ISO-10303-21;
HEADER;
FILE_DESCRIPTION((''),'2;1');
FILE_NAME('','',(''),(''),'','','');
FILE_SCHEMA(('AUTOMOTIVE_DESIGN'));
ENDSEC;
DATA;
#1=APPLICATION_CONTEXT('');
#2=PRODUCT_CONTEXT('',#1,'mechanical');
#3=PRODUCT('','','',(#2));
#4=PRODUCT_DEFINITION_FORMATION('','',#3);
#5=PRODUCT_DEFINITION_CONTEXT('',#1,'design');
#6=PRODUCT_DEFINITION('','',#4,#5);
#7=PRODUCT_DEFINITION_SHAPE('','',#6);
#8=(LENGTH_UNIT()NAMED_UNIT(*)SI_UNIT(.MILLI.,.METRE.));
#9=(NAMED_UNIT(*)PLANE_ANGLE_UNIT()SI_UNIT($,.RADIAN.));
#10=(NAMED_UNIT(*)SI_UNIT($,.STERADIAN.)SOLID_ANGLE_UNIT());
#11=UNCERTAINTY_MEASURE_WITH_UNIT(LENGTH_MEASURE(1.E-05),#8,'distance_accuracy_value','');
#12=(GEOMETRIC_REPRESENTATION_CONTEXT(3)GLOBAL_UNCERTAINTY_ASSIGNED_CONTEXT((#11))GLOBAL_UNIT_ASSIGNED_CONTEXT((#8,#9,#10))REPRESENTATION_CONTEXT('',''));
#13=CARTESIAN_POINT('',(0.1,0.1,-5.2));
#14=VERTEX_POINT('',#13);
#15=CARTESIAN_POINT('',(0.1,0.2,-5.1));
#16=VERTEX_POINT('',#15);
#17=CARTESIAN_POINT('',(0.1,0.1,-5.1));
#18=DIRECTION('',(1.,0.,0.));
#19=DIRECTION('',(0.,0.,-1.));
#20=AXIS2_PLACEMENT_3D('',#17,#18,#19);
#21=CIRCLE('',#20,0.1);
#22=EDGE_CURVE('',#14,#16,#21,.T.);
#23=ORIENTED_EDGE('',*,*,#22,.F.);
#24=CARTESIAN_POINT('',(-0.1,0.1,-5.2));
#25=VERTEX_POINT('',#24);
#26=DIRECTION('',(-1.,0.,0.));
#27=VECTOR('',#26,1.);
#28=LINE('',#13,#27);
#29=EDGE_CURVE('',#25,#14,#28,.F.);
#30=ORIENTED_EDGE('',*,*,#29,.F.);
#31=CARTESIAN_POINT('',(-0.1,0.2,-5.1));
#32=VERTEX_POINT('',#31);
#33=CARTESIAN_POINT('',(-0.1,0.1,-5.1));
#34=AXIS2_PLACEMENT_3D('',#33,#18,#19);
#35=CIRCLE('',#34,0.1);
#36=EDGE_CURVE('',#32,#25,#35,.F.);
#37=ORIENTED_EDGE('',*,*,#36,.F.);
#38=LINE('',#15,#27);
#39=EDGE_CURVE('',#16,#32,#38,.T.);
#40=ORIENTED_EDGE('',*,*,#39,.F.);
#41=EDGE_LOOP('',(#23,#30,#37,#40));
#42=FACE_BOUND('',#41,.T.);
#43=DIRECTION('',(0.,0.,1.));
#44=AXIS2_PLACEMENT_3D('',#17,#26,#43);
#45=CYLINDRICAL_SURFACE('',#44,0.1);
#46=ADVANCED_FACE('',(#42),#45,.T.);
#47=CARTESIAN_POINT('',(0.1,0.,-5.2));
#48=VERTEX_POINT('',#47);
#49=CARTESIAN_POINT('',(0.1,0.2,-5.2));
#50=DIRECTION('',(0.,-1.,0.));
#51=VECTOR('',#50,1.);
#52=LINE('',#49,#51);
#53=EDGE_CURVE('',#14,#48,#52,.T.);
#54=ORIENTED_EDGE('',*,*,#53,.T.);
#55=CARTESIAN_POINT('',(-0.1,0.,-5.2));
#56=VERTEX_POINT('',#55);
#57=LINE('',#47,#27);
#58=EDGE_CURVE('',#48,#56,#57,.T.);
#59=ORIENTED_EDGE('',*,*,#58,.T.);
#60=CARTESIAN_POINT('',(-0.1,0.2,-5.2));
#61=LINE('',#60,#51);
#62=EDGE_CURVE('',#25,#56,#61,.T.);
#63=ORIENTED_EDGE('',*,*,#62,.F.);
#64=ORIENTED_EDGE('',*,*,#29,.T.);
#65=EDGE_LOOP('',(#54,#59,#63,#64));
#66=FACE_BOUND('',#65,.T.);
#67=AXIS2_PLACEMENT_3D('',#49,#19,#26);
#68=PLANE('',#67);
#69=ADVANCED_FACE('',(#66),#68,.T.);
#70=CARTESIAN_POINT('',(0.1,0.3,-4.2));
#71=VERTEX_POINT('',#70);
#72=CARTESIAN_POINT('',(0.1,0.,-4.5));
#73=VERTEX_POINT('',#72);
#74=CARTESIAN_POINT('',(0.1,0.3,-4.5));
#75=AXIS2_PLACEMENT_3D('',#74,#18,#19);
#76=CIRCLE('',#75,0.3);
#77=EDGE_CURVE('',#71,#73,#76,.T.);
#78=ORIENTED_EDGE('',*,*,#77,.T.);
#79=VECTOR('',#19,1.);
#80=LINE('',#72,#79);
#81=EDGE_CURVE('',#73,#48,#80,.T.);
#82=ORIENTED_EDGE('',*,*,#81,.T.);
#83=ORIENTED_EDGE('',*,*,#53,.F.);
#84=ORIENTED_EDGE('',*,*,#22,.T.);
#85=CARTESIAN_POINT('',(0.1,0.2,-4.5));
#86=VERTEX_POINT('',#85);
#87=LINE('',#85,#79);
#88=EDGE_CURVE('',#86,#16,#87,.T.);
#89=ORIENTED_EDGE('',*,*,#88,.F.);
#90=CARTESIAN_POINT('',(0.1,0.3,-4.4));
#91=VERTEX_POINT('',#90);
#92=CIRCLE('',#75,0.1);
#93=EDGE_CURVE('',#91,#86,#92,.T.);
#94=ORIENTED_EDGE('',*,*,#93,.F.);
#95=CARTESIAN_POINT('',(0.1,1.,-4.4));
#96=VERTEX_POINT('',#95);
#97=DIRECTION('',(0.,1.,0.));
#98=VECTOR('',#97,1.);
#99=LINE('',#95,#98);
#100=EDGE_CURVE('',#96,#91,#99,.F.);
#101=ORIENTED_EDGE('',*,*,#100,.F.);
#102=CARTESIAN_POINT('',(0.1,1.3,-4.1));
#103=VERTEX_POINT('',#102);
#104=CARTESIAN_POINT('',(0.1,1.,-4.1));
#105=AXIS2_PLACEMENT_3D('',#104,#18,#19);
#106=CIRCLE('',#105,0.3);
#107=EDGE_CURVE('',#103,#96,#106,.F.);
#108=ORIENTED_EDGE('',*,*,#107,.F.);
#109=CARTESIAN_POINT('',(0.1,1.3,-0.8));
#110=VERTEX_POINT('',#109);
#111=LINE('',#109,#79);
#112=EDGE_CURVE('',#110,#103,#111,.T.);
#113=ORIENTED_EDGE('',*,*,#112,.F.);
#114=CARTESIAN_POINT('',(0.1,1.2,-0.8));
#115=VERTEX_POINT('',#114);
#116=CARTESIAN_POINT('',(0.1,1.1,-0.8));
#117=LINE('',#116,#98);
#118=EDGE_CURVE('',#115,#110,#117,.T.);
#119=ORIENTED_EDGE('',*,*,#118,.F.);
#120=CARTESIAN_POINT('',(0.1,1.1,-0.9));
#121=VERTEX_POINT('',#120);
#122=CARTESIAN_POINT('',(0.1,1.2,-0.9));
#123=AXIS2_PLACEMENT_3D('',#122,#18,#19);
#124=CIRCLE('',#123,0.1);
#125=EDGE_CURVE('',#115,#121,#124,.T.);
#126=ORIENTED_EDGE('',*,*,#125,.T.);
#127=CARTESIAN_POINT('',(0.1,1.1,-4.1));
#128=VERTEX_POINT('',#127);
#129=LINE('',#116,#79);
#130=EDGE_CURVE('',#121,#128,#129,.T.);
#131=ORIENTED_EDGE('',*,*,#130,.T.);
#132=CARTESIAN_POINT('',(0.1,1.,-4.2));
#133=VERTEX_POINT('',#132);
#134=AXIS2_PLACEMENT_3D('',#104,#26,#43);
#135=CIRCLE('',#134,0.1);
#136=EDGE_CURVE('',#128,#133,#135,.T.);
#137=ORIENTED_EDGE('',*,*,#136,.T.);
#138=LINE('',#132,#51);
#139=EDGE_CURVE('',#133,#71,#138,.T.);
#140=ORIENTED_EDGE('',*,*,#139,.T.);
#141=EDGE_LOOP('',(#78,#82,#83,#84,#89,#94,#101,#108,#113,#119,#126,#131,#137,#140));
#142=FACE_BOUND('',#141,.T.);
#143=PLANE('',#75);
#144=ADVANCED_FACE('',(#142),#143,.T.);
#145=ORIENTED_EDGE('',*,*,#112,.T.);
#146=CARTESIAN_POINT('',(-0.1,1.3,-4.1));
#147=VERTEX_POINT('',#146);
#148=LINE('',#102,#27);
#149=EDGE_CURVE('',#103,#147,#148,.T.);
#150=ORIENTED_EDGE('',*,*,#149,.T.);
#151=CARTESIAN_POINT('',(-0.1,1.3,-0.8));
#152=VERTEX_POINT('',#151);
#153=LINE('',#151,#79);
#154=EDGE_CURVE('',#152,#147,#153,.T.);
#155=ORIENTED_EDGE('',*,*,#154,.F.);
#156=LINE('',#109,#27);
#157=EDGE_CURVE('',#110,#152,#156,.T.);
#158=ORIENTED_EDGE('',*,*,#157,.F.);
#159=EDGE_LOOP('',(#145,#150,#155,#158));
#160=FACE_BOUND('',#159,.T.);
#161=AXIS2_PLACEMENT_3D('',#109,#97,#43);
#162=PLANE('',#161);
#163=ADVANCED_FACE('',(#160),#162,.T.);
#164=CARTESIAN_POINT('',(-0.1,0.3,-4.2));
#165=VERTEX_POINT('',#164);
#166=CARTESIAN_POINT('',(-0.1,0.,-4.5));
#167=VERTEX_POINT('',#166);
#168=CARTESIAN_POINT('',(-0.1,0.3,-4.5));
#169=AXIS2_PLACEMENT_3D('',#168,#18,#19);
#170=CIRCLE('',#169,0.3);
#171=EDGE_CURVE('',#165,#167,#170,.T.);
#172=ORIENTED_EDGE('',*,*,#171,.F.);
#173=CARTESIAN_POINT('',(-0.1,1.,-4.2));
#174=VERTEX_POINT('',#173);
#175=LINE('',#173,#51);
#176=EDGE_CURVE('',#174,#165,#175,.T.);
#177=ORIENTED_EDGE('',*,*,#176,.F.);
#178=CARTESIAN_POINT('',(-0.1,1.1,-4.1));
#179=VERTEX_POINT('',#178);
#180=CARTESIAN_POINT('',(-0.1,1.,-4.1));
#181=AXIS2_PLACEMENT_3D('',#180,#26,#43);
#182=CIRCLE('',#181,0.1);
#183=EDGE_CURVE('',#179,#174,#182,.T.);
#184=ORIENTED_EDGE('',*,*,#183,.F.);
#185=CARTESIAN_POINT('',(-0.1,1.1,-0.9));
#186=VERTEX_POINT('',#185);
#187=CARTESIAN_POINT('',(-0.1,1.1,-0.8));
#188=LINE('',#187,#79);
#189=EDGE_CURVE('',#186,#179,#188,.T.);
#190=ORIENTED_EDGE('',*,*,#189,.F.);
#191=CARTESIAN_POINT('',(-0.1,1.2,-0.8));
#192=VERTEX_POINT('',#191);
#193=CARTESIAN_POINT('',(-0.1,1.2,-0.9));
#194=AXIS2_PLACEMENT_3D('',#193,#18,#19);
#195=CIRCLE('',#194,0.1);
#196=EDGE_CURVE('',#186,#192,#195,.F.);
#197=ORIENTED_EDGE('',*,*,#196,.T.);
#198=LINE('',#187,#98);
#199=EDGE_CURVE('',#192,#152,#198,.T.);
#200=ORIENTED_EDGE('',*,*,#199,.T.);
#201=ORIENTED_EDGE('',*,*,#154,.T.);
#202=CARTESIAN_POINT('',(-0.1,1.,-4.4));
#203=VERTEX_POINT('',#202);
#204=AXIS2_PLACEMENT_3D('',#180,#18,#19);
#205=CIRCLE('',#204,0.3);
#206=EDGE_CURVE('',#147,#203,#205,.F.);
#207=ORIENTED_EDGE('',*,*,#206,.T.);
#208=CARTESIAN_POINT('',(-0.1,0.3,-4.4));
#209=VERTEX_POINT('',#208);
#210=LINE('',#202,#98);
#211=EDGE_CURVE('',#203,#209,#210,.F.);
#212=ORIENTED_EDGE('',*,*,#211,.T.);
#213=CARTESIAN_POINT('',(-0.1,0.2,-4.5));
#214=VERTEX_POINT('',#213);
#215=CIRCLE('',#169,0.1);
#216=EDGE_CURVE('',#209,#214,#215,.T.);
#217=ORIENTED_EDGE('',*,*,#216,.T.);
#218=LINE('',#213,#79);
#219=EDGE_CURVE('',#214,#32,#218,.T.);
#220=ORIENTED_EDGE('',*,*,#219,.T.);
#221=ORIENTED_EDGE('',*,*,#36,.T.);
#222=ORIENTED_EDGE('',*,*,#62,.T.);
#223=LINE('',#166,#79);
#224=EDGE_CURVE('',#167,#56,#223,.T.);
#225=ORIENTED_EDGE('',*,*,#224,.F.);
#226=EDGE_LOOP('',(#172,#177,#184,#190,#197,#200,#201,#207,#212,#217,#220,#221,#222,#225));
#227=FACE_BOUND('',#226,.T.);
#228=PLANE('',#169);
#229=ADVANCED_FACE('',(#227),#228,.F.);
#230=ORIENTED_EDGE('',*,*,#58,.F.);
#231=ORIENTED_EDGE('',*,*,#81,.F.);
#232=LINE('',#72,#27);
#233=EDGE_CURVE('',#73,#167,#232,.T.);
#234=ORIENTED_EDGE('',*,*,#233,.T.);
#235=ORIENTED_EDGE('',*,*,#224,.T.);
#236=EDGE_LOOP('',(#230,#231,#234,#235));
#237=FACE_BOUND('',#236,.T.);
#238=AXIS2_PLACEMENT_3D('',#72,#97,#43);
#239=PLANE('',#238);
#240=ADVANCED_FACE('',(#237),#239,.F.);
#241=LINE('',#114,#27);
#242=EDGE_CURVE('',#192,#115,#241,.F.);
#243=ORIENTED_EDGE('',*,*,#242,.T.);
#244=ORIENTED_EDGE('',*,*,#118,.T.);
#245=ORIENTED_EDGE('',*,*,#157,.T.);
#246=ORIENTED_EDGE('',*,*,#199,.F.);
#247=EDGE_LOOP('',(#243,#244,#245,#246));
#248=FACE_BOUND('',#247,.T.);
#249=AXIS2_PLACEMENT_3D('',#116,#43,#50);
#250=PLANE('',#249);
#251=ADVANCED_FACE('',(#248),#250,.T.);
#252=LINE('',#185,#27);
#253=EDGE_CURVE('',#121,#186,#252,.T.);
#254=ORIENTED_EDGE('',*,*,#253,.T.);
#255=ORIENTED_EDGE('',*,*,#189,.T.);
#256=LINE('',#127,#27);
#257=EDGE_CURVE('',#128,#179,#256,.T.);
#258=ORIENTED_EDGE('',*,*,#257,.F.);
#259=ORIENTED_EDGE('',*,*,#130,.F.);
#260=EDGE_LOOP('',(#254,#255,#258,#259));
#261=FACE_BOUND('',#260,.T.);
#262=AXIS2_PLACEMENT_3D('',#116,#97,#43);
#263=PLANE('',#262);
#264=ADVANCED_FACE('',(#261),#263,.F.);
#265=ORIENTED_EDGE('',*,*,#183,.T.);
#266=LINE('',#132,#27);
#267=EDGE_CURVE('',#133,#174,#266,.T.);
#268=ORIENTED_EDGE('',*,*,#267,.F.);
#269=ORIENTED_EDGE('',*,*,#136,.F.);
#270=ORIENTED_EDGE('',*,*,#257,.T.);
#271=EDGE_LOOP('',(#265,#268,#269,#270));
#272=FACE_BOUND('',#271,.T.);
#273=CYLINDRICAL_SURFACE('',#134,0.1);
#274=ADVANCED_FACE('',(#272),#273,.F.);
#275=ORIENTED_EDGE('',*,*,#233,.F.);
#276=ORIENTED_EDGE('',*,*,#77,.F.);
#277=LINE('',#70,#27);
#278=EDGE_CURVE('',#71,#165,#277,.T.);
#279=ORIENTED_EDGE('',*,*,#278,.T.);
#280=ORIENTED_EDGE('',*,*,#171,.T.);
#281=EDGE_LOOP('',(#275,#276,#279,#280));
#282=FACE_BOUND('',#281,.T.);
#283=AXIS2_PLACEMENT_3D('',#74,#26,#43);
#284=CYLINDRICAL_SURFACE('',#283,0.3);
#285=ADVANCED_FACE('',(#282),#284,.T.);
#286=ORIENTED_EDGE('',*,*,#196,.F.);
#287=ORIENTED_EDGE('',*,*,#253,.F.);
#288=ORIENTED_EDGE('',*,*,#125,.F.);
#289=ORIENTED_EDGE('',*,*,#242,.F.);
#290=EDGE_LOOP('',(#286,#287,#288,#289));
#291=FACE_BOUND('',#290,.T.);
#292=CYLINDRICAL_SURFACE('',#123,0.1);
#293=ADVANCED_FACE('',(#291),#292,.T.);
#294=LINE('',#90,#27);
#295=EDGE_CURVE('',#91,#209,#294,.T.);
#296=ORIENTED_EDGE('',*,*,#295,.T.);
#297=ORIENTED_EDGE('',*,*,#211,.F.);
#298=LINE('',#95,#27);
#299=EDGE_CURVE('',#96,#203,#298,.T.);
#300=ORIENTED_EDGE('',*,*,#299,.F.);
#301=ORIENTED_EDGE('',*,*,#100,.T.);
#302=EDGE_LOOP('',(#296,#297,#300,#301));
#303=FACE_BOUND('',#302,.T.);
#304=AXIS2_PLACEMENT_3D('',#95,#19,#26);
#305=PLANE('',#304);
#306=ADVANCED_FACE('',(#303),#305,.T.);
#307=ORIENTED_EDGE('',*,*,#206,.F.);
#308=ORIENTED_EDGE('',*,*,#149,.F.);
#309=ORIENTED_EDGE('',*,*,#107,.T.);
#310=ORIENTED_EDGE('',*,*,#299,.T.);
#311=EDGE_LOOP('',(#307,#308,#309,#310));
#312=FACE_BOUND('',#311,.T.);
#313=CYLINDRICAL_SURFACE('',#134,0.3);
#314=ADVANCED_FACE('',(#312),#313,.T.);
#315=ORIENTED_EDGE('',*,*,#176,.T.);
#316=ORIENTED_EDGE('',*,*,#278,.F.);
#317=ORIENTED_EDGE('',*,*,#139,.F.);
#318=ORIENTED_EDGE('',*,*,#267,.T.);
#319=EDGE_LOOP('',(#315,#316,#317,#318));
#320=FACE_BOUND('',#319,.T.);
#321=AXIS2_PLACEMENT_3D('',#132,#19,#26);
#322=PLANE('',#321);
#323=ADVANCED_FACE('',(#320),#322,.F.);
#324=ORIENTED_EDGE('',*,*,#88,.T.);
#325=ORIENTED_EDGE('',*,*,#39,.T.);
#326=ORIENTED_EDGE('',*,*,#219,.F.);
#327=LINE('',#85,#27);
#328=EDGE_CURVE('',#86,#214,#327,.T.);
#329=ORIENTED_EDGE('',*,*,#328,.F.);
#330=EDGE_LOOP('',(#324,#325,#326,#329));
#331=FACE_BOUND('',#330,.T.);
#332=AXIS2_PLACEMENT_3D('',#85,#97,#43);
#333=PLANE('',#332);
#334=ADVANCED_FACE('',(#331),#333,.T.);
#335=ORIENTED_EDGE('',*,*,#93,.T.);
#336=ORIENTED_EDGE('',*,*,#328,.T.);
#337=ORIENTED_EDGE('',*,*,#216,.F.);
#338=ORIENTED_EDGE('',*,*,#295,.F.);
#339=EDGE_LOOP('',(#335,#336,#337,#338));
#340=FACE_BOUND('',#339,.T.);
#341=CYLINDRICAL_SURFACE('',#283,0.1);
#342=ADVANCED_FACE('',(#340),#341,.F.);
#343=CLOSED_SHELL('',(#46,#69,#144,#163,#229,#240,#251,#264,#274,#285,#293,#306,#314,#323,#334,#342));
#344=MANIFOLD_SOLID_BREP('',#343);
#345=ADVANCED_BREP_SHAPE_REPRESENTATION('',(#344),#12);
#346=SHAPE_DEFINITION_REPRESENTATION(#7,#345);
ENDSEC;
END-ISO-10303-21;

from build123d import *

# Parameters (mm, degrees)
EXTRUDE_THIN1_DEPTH = 0.1
FILLET1_R           = 0.1


with BuildPart() as part:
    # Sketch1 → Extrude-Thin1 (new body, symmetric)
    with BuildSketch(Plane(origin=(0, 0, 0), x_dir=(0, 0, -1), z_dir=(1, 0, 0))):
        with BuildLine():
            Line((0.8, 1.1), (4.1, 1.1))
            ThreePointArc((4.1, 1.1), (4.170710678, 1.070710678), (4.2, 1))
            Line((4.2, 1), (4.2, 0.3))
            ThreePointArc((4.2, 0.3), (4.287867966, 0.087867966), (4.5, 0))
            Line((4.5, 0), (5.2, 0))
            Line((5.2, 0), (5.2, 0.2))
            Line((5.2, 0.2), (4.5, 0.2))
            ThreePointArc((4.5, 0.2), (4.429289322, 0.229289322), (4.4, 0.3))
            Line((4.4, 0.3), (4.4, 1))
            ThreePointArc((4.4, 1), (4.312132034, 1.212132034), (4.1, 1.3))
            Line((4.1, 1.3), (0.8, 1.3))
            Line((0.8, 1.3), (0.8, 1.1))
        make_face()
    extrude(amount=EXTRUDE_THIN1_DEPTH, both=True)

    # Fillet1
    fillet1_edges = [part.edges().sort_by_distance(p)[0] for p in [
        (0, 1.1, -0.8),
        (0, 0.2, -5.2),
    ]]
    fillet(fillet1_edges, radius=FILLET1_R)


solid = part.part
